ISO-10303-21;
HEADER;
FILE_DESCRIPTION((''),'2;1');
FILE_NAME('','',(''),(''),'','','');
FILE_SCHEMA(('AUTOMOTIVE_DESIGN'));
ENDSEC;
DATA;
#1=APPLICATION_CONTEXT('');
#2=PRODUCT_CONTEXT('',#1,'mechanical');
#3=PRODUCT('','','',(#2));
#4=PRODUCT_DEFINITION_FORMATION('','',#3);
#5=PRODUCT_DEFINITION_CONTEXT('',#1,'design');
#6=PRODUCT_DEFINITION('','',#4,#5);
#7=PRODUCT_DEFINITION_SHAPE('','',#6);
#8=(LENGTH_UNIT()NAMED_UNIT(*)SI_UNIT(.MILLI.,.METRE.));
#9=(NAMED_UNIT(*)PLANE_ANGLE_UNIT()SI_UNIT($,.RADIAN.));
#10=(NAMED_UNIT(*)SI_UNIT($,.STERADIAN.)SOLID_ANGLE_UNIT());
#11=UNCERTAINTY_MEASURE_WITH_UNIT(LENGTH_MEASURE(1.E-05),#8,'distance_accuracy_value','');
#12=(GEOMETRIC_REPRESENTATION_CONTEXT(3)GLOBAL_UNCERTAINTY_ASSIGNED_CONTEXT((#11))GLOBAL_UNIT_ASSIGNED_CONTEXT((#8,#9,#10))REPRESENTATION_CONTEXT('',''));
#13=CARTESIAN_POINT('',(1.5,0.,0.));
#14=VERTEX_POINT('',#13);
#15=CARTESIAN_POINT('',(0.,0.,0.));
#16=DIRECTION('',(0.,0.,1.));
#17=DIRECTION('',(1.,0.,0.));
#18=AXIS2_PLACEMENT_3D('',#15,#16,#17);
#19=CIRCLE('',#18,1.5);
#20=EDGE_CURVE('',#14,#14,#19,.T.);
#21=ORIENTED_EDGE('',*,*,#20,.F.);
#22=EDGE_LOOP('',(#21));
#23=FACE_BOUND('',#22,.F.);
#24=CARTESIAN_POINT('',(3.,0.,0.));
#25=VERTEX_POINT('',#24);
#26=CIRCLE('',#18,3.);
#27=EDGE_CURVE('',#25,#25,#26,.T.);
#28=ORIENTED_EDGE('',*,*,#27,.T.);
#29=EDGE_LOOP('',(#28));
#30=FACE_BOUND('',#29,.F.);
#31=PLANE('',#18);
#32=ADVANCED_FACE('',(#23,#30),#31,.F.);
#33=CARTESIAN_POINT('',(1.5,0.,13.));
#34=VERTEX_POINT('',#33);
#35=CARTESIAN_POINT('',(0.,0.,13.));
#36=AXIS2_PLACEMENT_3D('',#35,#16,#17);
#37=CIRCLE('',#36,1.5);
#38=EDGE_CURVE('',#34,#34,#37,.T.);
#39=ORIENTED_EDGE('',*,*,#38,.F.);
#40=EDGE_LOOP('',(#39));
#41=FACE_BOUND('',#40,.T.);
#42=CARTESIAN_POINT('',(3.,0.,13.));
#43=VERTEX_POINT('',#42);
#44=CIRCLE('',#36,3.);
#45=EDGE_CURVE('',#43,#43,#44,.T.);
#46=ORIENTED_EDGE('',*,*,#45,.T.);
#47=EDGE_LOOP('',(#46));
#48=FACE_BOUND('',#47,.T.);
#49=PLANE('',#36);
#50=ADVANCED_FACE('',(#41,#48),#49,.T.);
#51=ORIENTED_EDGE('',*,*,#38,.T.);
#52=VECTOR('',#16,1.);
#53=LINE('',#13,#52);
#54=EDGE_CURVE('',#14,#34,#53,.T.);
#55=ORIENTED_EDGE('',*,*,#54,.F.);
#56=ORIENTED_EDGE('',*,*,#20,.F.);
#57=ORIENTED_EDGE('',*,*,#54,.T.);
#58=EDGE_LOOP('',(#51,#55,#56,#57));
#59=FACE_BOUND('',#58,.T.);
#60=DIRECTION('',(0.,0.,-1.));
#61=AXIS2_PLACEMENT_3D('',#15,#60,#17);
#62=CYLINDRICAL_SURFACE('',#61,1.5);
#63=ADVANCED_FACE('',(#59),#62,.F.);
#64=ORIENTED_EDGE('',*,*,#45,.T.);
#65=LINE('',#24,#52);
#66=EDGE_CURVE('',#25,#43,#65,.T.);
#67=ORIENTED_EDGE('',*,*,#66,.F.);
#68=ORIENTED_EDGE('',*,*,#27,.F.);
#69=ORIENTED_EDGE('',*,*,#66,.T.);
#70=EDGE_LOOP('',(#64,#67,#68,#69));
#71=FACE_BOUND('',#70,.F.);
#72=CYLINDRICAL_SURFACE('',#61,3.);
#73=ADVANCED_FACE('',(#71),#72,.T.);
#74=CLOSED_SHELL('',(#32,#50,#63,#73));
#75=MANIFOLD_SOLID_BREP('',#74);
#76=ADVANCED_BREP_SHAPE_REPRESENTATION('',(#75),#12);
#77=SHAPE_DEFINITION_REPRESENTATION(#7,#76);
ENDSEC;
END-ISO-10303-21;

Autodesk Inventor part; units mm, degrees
ref_plane "YZ Plane" through (0, 0, 0) normal (1, 0, 0) x (0, 1, 0)
ref_plane "XZ Plane" through (0, 0, 0) normal (0, 1, 0) x (-1, 0, 0)
ref_plane "XY Plane" through (0, 0, 0) normal (0, 0, 1) x (1, 0, 0)
sketch "Sketch1" plane through (0, 0, 0) normal (0, 0, 1) x (1, 0, 0)
  circle A0 centre (0, 0) radius 3
  circle A1 centre (0, 0) radius 1.5
  dimension "d0" = 6
  dimension "d1" = 3
extrude "Extrusion1" add sketch "Sketch1" along normal blind 13
properties part number "Separador SAV (V2)"
